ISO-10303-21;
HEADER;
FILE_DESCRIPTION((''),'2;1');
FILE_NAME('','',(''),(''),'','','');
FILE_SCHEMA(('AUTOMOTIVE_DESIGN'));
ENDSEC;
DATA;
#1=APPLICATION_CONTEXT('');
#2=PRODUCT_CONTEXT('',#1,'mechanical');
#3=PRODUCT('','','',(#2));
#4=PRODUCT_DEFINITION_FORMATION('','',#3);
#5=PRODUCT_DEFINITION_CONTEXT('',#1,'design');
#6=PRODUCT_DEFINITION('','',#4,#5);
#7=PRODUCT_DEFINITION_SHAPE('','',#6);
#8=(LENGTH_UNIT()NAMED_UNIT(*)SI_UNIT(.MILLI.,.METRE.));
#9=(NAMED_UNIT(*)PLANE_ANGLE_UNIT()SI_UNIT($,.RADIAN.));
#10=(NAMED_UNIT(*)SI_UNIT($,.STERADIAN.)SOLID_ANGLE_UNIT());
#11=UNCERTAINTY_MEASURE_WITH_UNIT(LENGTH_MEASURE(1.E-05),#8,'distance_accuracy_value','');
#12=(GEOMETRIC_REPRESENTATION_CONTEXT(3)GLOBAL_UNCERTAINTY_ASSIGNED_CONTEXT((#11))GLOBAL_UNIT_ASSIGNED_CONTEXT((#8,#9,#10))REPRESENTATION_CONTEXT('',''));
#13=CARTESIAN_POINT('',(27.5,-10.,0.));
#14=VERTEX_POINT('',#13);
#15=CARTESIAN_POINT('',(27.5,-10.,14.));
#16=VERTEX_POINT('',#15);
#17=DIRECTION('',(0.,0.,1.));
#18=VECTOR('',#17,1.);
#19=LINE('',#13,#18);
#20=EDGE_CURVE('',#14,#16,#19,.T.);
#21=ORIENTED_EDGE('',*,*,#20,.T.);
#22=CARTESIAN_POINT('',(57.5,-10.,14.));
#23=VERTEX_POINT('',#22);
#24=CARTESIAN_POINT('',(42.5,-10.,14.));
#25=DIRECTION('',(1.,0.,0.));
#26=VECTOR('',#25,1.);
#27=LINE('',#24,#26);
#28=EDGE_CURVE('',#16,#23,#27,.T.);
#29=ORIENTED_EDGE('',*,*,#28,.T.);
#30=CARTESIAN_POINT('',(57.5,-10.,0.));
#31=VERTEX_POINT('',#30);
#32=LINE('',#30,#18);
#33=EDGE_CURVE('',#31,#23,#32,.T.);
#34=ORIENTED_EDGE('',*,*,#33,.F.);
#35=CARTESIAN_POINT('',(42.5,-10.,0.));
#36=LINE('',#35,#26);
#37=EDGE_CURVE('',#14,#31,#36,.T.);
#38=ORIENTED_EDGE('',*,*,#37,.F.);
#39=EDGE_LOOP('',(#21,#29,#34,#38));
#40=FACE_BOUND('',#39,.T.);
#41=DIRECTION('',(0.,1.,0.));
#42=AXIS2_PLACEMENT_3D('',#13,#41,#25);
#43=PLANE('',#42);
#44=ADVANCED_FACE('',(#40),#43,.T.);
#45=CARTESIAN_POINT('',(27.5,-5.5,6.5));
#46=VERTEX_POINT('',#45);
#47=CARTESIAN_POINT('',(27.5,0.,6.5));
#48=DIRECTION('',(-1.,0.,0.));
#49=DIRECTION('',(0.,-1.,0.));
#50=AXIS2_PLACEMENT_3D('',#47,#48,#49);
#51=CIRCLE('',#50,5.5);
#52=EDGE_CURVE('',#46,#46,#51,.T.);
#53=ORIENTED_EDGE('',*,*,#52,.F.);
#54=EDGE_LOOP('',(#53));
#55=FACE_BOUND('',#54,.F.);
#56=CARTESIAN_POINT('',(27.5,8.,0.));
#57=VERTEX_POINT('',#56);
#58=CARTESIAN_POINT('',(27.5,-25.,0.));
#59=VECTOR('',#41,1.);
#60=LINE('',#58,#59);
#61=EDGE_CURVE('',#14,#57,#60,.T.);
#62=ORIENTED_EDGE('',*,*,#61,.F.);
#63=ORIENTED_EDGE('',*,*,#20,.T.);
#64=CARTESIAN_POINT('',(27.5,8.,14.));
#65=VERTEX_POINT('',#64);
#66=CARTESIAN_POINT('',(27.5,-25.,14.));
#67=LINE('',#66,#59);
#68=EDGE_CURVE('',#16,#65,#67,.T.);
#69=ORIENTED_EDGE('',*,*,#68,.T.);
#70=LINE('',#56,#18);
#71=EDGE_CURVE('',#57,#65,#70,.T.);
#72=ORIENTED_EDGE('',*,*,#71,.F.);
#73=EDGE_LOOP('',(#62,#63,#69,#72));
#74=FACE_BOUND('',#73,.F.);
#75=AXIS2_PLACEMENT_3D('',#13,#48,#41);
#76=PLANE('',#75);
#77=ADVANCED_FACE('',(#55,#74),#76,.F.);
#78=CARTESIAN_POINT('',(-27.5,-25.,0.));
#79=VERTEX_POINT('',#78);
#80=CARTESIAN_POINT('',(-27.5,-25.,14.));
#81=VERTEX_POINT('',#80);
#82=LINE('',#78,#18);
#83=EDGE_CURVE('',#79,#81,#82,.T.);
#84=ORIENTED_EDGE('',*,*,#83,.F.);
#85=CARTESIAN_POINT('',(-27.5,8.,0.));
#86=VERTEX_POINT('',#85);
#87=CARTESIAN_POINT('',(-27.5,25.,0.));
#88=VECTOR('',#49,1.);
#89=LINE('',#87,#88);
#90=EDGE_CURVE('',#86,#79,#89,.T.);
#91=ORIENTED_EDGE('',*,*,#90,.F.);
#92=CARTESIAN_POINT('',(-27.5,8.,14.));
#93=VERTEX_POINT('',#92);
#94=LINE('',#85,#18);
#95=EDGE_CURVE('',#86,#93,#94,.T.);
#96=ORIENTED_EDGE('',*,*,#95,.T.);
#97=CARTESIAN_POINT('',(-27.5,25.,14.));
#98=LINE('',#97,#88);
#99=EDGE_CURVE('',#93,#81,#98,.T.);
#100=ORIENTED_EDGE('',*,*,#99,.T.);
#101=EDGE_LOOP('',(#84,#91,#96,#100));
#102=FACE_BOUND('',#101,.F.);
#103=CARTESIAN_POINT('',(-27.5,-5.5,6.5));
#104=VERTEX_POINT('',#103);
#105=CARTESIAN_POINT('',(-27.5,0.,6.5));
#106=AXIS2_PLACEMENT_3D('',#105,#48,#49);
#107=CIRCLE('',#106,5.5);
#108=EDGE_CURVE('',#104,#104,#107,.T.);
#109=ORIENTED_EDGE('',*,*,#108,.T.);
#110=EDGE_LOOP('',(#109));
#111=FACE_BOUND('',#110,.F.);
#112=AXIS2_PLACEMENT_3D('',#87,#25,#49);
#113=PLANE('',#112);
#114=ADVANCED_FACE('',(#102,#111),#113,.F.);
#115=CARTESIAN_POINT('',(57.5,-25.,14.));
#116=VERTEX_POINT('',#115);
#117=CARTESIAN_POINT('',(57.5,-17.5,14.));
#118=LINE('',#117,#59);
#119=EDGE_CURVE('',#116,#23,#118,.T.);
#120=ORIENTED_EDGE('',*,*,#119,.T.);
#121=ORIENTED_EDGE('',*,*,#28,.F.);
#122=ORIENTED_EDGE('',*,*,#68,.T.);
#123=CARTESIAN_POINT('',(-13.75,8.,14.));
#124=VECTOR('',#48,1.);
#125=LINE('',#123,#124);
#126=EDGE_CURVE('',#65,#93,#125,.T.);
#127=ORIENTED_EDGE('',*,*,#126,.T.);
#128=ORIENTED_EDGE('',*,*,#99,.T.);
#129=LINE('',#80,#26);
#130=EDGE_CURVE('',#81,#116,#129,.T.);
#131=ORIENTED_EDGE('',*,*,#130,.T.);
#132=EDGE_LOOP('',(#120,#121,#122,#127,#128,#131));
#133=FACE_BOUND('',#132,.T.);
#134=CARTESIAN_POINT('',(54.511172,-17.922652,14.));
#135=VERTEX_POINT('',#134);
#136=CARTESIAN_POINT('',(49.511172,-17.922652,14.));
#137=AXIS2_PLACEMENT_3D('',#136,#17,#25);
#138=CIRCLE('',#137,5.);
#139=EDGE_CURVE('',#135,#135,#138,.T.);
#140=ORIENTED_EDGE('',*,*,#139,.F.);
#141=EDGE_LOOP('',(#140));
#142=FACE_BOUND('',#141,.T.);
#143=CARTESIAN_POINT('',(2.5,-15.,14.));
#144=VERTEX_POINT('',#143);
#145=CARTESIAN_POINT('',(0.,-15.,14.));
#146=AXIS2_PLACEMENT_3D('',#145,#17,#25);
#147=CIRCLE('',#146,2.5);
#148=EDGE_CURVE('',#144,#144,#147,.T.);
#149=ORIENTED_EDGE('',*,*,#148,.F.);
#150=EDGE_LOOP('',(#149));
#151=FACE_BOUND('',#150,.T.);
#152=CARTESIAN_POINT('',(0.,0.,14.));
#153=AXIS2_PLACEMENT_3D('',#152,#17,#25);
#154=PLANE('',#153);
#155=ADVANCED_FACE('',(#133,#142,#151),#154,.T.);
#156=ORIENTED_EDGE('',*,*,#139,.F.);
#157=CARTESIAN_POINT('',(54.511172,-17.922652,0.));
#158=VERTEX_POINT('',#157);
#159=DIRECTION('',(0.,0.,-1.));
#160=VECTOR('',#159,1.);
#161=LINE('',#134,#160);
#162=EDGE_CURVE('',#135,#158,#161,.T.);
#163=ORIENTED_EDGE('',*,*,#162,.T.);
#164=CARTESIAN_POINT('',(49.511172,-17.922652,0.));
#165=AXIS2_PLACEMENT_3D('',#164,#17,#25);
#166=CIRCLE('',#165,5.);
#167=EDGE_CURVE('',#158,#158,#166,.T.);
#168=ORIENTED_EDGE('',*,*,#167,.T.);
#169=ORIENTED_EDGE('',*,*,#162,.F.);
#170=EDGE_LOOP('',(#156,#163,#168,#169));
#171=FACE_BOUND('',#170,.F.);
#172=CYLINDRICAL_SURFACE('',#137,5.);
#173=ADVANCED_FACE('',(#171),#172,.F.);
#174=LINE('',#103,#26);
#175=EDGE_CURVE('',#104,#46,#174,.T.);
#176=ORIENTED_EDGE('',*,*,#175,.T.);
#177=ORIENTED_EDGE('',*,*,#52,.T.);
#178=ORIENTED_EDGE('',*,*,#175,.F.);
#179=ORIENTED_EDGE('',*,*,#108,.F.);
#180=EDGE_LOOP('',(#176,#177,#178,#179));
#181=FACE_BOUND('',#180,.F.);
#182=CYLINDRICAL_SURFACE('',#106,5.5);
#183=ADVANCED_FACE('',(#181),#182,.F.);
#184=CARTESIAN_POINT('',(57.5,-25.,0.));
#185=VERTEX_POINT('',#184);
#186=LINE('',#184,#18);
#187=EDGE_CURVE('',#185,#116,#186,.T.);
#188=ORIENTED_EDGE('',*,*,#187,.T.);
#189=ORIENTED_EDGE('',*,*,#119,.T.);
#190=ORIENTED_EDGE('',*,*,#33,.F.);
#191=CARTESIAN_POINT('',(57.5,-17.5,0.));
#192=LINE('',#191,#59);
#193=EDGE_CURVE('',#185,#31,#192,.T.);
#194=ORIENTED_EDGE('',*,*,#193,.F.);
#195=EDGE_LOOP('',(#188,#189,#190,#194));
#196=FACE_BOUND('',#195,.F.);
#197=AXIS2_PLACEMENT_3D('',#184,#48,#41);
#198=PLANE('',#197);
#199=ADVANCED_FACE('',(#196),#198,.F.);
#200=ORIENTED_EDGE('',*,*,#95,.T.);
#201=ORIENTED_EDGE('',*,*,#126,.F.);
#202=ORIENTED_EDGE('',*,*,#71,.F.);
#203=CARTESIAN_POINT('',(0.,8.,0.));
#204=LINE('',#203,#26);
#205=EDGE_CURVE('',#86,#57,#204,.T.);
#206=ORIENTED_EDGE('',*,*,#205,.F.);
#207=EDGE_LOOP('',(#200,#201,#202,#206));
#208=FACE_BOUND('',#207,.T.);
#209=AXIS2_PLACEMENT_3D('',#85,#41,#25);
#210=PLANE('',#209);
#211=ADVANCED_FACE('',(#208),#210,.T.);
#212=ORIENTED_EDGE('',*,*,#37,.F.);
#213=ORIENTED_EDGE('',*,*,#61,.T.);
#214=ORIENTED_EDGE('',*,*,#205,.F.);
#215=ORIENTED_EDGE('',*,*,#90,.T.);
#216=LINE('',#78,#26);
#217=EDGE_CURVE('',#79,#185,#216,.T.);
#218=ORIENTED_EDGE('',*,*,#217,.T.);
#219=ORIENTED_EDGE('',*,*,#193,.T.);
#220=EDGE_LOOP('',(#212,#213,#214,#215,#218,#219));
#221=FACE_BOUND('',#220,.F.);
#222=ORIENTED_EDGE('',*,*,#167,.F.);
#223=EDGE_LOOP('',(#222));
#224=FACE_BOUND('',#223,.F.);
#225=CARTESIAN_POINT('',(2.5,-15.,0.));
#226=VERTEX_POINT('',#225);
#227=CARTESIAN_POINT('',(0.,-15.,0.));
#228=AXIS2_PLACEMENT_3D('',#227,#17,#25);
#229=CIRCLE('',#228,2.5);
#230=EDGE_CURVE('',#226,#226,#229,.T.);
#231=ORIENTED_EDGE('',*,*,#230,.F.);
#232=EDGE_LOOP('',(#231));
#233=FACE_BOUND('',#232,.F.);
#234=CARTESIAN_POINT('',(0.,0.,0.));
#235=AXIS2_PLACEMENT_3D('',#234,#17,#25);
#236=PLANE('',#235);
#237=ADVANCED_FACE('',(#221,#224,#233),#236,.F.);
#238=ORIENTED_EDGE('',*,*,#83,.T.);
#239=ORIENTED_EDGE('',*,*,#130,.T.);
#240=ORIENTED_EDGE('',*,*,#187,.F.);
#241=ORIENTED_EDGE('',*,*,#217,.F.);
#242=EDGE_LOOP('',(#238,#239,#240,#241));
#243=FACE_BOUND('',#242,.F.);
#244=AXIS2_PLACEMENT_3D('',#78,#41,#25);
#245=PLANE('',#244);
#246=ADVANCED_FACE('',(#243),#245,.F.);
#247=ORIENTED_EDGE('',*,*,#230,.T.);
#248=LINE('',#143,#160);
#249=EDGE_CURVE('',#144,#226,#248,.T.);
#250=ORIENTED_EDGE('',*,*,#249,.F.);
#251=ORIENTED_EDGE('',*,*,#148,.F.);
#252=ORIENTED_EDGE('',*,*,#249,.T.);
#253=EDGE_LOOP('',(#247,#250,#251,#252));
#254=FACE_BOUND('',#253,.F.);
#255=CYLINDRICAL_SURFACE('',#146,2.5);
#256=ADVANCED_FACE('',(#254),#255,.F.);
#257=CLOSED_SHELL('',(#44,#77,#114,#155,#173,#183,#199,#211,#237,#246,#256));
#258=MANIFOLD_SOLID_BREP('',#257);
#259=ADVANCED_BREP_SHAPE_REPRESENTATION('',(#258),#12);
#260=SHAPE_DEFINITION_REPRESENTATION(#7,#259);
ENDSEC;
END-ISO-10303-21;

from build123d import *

# Parameters (mm, degrees)
F0_W     = 30
F0_H     = 15
F1_DEPTH = 14
F3_R     = 2.5
F4_DEPTH = 14.001
F5_R     = 5
F6_DEPTH = 14.001
F7_W     = 55
F7_H     = 17
F8_DEPTH = 14.001
F2_R     = 5.5
F9_DEPTH = 85.001


with BuildPart() as f1:
    # F0 (on Top) → F1 (new body)
    with BuildSketch(Plane.XY):
        Polygon((27.5, 25), (-27.5, 25), (-27.5, -25), (27.5, -25), (27.5, -10), align=None)
        with Locations((42.5, -17.5)):
            Rectangle(F0_W, F0_H)
    extrude(amount=F1_DEPTH)

    # F3 (on face) → F4 (cut, through all)
    with BuildSketch(Plane.XY.offset(14)):
        with Locations((0, -15)):
            Circle(F3_R)
    extrude(amount=-F4_DEPTH, mode=Mode.SUBTRACT)

    # F5 (on face) → F6 (cut, through all)
    with BuildSketch(Plane.XY.offset(14)):
        with Locations((49.511172, -17.922652)):
            Circle(F5_R)
    extrude(amount=-F6_DEPTH, mode=Mode.SUBTRACT)

    # F7 (on face) → F8 (cut, through all)
    with BuildSketch(Plane(origin=(0, 0, 0), x_dir=(1, 0, 0), z_dir=(0, 0, -1))):
        with Locations((0, -16.5)):
            Rectangle(F7_W, F7_H)
    extrude(amount=-F8_DEPTH, mode=Mode.SUBTRACT)

    # F2 (on face) → F9 (cut, through all)
    with BuildSketch(Plane(origin=(-27.5, 0, 0), x_dir=(0, -1, 0), z_dir=(-1, 0, 0))):
        with Locations((0, 6.5)):
            Circle(F2_R)
    extrude(amount=-F9_DEPTH, mode=Mode.SUBTRACT)


solid = f1.part
